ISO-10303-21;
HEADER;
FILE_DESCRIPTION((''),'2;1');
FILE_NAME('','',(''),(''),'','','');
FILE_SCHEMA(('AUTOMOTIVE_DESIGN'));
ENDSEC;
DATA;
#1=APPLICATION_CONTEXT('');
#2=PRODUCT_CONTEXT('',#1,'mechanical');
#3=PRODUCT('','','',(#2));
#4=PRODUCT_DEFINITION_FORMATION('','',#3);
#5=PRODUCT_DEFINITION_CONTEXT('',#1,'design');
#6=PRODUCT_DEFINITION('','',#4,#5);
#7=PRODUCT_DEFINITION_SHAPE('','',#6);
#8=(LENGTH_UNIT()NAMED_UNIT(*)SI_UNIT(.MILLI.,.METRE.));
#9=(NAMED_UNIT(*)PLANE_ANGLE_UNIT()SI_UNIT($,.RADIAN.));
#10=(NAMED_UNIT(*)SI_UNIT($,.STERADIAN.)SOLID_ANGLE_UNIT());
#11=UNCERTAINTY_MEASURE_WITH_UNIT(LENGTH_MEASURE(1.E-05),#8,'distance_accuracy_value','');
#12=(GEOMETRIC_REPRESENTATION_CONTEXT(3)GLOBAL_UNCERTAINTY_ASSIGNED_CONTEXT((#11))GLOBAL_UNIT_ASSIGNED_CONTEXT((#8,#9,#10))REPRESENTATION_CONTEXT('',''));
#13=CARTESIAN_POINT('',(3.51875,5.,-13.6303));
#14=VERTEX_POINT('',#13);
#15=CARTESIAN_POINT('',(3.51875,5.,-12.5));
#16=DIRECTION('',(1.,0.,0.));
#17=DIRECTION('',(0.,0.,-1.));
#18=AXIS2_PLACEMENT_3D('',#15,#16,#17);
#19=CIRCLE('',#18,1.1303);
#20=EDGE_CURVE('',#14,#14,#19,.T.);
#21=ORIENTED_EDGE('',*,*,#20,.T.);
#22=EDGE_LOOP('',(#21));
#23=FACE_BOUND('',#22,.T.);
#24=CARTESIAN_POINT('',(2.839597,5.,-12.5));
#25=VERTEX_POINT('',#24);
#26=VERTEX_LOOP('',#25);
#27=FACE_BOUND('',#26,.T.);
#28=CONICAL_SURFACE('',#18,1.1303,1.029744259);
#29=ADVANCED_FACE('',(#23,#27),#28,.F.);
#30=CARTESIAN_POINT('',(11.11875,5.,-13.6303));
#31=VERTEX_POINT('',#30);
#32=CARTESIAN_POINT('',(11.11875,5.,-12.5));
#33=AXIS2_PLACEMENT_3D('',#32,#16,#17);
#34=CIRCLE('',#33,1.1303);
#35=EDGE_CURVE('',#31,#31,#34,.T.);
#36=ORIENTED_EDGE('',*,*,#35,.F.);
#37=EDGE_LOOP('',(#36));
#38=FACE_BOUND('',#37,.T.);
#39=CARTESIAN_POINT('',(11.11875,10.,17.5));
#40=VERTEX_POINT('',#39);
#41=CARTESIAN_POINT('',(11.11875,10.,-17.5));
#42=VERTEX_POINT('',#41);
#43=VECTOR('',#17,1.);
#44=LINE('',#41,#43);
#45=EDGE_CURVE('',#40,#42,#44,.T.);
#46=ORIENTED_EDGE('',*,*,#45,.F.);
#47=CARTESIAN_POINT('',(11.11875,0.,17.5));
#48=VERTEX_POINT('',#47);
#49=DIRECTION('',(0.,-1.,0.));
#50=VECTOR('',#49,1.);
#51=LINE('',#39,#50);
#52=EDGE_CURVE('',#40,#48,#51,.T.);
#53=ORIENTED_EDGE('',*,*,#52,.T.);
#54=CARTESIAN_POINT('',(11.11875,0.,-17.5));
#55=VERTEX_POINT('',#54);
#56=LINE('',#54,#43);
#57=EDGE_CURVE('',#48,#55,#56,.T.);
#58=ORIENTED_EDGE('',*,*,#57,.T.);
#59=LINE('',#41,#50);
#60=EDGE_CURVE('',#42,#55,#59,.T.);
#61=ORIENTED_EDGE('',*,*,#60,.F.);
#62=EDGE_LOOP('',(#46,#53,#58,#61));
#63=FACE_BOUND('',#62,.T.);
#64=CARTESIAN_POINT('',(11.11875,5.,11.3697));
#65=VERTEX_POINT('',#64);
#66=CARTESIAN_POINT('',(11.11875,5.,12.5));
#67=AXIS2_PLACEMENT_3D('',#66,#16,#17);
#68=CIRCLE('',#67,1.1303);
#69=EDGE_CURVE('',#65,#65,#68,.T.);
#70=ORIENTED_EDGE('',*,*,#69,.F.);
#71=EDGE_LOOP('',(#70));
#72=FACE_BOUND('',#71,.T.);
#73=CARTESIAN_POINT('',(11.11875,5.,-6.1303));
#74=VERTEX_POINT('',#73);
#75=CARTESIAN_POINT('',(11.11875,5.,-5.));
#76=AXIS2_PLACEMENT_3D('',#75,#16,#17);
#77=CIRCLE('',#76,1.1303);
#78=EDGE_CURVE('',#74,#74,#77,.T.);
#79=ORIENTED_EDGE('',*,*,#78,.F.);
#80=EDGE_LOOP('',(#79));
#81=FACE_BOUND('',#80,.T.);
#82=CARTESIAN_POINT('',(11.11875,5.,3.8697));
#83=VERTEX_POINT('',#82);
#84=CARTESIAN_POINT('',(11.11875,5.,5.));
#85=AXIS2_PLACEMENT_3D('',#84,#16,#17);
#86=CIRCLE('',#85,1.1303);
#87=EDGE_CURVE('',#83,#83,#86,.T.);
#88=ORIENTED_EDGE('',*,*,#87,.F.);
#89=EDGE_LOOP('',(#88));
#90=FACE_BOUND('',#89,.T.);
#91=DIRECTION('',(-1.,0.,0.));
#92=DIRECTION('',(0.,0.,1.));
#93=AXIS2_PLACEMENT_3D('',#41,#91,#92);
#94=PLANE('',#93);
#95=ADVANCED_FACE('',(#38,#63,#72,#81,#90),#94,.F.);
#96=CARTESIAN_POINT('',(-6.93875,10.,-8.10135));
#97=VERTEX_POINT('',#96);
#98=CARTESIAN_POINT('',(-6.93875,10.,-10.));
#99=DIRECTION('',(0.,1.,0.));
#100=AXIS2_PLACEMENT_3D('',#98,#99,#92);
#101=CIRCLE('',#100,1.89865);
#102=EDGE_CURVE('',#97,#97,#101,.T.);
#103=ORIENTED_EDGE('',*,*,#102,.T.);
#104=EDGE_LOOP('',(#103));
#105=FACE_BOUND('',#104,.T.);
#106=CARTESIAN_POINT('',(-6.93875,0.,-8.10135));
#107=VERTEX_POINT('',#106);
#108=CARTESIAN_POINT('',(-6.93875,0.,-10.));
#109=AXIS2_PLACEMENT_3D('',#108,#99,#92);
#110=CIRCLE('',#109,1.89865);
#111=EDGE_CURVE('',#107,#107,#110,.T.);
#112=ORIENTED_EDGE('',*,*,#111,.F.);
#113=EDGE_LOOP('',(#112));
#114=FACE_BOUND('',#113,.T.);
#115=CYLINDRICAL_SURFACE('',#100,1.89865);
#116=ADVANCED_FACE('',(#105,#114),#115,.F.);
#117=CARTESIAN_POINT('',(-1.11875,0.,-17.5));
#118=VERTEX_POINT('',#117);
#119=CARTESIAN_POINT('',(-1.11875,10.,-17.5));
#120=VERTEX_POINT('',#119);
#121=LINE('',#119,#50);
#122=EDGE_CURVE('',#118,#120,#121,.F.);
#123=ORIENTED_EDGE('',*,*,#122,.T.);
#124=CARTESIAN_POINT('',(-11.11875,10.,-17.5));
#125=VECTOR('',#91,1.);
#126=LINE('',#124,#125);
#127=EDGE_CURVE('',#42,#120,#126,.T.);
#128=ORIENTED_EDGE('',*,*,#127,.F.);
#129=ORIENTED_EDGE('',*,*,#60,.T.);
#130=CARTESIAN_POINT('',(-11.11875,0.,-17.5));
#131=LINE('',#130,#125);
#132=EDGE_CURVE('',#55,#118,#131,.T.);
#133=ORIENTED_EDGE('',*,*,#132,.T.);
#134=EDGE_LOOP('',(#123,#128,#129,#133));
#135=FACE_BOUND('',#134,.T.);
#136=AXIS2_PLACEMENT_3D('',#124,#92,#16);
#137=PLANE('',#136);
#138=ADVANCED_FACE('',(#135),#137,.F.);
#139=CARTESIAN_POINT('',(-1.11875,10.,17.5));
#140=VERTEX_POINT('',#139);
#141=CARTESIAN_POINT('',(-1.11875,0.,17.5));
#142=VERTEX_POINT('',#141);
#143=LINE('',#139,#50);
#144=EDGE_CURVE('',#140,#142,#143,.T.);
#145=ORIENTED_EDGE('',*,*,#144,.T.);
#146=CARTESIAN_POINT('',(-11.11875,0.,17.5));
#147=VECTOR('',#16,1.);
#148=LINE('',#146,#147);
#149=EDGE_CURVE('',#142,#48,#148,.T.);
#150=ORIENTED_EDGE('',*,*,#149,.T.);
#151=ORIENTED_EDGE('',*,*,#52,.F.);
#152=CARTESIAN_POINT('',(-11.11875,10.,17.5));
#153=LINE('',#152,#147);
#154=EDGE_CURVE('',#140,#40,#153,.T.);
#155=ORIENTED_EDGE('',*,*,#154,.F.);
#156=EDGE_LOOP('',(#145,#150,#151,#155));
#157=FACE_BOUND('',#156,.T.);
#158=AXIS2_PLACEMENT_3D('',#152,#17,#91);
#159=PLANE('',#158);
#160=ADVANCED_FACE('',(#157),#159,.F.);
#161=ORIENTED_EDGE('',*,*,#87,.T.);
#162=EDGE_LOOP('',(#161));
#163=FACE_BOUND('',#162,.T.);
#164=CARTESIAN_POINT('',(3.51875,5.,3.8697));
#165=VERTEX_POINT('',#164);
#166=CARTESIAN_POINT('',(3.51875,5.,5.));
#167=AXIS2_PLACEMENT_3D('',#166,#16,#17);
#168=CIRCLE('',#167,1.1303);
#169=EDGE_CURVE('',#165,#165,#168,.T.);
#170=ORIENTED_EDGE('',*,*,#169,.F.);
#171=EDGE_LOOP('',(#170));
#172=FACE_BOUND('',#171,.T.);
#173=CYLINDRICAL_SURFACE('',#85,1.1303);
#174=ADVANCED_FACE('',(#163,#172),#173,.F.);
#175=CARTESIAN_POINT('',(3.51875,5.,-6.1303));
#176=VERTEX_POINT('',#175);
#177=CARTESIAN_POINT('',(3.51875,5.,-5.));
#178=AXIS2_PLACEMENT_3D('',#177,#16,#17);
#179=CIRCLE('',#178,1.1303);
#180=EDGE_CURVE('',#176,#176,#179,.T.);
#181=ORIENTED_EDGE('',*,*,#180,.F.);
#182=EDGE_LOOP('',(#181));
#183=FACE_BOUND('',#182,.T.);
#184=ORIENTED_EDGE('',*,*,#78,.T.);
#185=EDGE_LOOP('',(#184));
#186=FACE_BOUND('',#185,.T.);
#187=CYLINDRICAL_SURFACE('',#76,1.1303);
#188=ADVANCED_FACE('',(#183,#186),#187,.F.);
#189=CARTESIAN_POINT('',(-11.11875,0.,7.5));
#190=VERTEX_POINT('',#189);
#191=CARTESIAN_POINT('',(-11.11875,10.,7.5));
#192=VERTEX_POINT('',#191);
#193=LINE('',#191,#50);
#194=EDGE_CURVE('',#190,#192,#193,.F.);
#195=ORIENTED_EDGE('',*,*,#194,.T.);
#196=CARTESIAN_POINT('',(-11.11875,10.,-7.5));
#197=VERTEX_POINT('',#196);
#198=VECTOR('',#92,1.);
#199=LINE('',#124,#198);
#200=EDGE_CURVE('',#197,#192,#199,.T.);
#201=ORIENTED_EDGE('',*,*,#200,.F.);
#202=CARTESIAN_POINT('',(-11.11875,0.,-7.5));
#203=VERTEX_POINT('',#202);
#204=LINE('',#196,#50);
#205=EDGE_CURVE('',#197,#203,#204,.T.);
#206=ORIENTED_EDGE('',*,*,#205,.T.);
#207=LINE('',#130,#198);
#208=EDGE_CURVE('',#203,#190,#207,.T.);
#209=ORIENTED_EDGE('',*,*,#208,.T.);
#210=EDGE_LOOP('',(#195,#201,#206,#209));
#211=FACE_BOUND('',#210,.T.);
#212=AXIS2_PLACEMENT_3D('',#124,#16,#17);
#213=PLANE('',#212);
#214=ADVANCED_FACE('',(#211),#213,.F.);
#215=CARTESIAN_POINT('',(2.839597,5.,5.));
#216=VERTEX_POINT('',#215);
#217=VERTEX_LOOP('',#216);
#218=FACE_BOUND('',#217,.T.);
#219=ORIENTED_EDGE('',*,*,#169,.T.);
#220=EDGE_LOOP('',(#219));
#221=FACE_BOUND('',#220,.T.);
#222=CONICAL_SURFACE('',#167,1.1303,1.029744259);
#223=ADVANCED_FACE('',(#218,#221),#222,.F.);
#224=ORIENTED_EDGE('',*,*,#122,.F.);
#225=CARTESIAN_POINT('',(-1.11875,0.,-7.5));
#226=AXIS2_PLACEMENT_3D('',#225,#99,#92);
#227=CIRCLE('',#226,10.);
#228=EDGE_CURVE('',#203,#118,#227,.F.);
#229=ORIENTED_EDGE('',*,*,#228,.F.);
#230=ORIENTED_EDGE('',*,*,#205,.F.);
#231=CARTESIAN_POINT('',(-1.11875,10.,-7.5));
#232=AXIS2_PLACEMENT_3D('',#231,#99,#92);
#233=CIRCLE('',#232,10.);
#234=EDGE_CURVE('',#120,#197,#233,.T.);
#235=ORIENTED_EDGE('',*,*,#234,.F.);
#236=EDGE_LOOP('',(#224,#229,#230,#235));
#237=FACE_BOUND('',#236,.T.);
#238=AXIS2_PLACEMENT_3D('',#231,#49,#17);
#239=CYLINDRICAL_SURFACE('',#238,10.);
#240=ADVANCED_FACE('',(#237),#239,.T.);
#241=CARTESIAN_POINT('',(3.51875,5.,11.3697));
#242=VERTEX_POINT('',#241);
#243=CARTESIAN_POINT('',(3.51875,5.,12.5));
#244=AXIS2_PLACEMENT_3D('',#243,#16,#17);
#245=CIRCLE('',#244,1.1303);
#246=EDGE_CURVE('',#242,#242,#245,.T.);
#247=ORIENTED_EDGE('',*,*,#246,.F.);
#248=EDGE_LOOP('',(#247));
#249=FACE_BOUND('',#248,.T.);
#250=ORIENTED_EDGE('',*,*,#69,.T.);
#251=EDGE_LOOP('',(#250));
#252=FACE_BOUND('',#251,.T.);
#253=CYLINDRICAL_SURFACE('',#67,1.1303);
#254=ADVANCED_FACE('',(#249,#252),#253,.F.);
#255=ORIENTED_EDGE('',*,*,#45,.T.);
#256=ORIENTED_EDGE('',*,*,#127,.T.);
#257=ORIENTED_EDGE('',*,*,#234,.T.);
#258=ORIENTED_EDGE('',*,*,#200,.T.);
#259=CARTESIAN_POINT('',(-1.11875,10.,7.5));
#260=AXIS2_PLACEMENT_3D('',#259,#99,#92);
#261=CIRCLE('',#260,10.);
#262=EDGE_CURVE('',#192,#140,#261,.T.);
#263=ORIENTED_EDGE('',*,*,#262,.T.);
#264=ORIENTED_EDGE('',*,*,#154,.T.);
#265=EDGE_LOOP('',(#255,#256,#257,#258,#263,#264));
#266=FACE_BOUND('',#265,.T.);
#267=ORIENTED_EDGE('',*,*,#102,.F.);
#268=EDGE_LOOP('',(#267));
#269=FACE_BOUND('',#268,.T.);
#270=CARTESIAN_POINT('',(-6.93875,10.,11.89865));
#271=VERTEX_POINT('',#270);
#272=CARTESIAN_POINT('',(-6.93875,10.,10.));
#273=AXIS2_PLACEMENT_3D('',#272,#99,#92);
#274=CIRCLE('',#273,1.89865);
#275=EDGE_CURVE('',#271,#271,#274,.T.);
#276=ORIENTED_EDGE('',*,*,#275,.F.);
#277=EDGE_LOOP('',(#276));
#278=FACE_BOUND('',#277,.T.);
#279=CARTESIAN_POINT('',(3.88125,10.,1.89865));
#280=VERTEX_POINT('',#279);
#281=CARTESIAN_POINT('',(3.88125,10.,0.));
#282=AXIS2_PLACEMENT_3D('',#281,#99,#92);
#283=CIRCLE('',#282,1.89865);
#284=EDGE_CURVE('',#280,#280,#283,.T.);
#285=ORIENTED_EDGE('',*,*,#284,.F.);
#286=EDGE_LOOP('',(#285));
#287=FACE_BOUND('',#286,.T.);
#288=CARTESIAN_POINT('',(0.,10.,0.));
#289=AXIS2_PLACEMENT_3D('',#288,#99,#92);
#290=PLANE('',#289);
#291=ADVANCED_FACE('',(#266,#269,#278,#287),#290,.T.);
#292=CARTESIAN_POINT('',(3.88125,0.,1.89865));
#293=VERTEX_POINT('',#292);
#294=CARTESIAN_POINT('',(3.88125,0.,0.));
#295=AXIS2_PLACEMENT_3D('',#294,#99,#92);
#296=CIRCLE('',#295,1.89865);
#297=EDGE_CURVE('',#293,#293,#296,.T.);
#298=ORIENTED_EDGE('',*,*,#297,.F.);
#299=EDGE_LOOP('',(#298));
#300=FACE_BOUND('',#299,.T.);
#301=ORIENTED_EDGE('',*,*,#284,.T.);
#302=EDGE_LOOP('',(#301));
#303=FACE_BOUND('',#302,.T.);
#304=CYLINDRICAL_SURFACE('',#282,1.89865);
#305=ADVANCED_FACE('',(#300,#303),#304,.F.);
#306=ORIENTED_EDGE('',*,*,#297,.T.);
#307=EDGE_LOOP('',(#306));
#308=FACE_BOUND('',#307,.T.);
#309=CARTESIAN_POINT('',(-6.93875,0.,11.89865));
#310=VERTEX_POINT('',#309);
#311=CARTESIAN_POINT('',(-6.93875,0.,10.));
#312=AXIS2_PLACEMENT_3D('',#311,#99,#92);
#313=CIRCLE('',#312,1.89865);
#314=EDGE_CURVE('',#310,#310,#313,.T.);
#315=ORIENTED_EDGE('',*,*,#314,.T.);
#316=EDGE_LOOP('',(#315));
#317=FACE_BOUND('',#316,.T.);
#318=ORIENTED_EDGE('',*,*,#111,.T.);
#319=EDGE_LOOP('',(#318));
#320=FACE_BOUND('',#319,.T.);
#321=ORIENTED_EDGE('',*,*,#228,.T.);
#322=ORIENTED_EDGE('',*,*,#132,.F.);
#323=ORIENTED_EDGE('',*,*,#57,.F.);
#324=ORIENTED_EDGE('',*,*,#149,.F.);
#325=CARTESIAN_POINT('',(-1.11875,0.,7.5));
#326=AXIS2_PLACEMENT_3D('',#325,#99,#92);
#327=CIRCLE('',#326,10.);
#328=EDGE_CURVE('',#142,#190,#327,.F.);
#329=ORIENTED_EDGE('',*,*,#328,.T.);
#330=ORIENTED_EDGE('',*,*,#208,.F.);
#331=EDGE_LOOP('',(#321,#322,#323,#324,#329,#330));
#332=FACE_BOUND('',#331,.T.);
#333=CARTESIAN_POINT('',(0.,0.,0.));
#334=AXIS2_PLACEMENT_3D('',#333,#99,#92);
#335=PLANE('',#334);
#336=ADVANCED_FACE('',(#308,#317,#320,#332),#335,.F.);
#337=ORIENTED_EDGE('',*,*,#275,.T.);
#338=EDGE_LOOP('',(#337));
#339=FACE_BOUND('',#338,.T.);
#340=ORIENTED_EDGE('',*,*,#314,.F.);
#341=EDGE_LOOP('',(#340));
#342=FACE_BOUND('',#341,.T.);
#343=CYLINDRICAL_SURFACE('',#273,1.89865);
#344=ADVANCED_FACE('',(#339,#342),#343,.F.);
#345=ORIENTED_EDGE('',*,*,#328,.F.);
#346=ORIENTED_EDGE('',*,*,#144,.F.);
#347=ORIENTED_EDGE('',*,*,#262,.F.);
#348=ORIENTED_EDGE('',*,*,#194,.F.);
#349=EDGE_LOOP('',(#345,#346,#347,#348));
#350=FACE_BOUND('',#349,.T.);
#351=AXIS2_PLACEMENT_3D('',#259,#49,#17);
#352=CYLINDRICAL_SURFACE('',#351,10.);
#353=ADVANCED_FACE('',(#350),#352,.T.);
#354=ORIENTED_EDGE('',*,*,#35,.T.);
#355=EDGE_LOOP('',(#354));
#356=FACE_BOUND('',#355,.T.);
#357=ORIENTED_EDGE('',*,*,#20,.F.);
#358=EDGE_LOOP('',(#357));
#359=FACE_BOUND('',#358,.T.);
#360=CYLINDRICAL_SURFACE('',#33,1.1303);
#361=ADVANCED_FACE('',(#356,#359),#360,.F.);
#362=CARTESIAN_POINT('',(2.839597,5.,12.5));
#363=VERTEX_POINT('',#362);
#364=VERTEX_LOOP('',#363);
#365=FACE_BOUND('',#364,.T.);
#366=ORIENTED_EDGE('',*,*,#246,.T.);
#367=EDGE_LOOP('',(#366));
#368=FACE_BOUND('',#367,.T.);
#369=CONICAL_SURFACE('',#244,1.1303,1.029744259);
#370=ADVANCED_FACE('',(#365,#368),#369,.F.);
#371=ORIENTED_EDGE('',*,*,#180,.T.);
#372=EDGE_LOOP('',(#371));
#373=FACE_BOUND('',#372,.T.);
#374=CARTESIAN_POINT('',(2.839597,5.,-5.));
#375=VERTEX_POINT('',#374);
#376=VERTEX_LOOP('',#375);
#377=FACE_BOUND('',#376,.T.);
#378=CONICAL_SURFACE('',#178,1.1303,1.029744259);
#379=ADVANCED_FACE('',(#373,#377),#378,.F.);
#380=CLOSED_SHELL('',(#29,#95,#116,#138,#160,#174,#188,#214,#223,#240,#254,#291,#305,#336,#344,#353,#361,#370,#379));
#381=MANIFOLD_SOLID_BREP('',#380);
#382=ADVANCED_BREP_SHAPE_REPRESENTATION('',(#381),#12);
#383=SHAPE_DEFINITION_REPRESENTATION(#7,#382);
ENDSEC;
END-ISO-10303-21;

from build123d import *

# Parameters (mm, degrees)
SKETCH1_W                 = 22.2375
SKETCH1_H                 = 35
BOSS_EXTRUDE1_DEPTH       = 10
F_4_40_TAPPED_HOLE1_D     = 2.2606
F_4_40_TAPPED_HOLE1_DEPTH = 7.6
F_4_40_TAPPED_HOLE1_TIP   = 0.679152758
F_6_CLEARANCE_HOLE1_D     = 3.7973
FILLET1_R                 = 10


with BuildPart() as part:
    # Sketch1 → Boss-Extrude1 (new body)
    with BuildSketch(Plane(origin=(0, 0, 0), x_dir=(1, 0, 0), z_dir=(0, 1, 0))):
        Rectangle(SKETCH1_W, SKETCH1_H)
    extrude(amount=BOSS_EXTRUDE1_DEPTH)

    # #4-40 Tapped Hole1
    with Locations(Plane(origin=(11.11875, 0, 0), x_dir=(0, 0, -1), z_dir=(1, 0, 0))):
        with Locations((-12.5, 5), (12.5, 5), (-5, 5), (5, 5)):
            Hole(F_4_40_TAPPED_HOLE1_D / 2, depth=F_4_40_TAPPED_HOLE1_DEPTH)
            with Locations((0, 0, -(F_4_40_TAPPED_HOLE1_DEPTH + F_4_40_TAPPED_HOLE1_TIP / 2))):  # 118° drill point
                Cone(0, F_4_40_TAPPED_HOLE1_D / 2, F_4_40_TAPPED_HOLE1_TIP, mode=Mode.SUBTRACT)

    # #6 Clearance Hole1 (through all)
    with Locations(Plane(origin=(0, 10, 0), x_dir=(1, 0, 0), z_dir=(0, 1, 0))):
        with Locations((3.88125, 0), (-6.93875, 10), (-6.93875, -10)):
            Hole(F_6_CLEARANCE_HOLE1_D / 2)

    # Fillet1
    fillet1_edges = [part.edges().sort_by_distance(p)[0] for p in [
        (-11.11875, 5, 17.5),
        (-11.11875, 5, -17.5),
    ]]
    fillet(fillet1_edges, radius=FILLET1_R)


solid = part.part
